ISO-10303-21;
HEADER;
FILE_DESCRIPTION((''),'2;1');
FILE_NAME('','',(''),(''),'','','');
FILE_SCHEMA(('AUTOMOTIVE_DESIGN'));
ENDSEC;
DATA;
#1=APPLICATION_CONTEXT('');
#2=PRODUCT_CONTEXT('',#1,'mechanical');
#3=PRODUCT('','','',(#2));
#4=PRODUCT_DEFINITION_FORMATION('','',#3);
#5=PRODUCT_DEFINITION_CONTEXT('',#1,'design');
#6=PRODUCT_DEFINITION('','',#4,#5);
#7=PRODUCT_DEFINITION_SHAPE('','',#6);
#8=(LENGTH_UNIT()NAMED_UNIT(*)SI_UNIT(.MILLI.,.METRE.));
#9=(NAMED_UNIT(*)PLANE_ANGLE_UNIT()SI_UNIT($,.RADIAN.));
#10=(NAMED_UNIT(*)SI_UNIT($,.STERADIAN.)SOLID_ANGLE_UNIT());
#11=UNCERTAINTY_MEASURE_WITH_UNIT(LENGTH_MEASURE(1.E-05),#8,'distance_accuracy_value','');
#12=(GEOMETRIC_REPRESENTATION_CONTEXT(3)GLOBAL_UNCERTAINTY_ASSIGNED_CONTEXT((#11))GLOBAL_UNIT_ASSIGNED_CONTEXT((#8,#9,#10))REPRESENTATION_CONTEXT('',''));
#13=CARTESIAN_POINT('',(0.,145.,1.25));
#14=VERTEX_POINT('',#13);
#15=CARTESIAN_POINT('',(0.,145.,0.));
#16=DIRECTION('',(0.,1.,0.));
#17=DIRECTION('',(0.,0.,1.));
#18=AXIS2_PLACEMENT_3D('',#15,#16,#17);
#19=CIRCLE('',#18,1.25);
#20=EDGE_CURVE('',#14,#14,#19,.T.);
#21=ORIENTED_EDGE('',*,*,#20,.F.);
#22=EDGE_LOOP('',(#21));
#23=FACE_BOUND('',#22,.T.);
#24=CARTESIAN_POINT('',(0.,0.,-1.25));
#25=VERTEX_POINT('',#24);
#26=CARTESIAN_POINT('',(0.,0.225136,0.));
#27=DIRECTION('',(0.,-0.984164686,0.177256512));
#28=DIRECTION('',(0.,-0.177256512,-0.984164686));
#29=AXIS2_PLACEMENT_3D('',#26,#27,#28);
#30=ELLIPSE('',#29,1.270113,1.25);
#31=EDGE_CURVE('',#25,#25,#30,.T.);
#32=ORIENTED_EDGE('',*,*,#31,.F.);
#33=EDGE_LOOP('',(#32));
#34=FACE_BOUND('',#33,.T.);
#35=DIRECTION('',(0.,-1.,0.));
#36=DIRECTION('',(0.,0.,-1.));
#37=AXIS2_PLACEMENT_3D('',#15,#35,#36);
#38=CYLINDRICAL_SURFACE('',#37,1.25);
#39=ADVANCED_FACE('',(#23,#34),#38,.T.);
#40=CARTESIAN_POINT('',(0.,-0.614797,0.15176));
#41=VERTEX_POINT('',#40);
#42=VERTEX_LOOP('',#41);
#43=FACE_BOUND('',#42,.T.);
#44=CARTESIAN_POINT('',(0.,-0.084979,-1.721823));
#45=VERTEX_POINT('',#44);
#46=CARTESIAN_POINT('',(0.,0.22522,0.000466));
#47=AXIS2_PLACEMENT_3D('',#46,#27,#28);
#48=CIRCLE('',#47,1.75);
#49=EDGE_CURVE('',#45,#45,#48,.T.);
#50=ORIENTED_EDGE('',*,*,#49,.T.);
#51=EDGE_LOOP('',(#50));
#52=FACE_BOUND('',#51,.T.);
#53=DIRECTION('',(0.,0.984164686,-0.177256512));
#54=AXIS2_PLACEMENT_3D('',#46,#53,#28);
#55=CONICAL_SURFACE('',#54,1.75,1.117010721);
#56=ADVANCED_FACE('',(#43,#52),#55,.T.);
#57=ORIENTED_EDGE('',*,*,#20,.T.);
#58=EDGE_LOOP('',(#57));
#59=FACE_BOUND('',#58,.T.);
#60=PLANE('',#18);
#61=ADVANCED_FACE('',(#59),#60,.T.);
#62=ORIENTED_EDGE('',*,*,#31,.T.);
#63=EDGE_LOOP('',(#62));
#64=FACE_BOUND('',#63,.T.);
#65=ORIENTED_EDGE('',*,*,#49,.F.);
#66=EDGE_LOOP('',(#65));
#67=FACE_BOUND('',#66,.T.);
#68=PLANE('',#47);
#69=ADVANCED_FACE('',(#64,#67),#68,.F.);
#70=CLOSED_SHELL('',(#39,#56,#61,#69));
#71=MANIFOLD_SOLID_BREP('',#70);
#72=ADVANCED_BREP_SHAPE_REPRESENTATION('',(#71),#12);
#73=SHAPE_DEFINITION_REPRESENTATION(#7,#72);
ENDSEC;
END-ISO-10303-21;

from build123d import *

# Parameters (mm, degrees)
SKETCH_1_R          = 1.25
EXTRUDE_1_DEPTH     = 145
CUT_EXTRUDE_1_DEPTH = 6
SKETCH_4_R          = 1.75
EXTRUDE_3_DEPTH     = 2
EXTRUDE_3_TAPER     = 64


with BuildPart() as part:
    # Эскиз1 → Бобышка-Вытянуть1 (new body)
    with BuildSketch(Plane(origin=(0, 0, 0), x_dir=(1, 0, 0), z_dir=(0, 1, 0))):
        with Locations(Location((0, 0, 0), (0, 0, 270))):
            Circle(SKETCH_1_R)
    extrude(amount=EXTRUDE_1_DEPTH)

    # Эскиз3 → Вырез-Вытянуть1 (cut, symmetric)
    with BuildSketch(Plane(origin=(0, 0, 0), x_dir=(0, 0, -1), z_dir=(1, 0, 0))):
        Polygon((1.25, 0), (-2.080626709, 0.599874475), (-2.080626709, 0), align=None)
    extrude(amount=CUT_EXTRUDE_1_DEPTH, both=True, mode=Mode.SUBTRACT)

    # Эскиз4 → Бобышка-Вытянуть3 (add)
    with BuildSketch(Plane(origin=(0, 0.218062, -0.039274839), x_dir=(1, 0, 0), z_dir=(0, -0.9841646858615077, 0.177256512159977))):
        with Locations((0, 0.040379775)):
            Circle(SKETCH_4_R)
    extrude(amount=EXTRUDE_3_DEPTH, taper=EXTRUDE_3_TAPER)


solid = part.part
